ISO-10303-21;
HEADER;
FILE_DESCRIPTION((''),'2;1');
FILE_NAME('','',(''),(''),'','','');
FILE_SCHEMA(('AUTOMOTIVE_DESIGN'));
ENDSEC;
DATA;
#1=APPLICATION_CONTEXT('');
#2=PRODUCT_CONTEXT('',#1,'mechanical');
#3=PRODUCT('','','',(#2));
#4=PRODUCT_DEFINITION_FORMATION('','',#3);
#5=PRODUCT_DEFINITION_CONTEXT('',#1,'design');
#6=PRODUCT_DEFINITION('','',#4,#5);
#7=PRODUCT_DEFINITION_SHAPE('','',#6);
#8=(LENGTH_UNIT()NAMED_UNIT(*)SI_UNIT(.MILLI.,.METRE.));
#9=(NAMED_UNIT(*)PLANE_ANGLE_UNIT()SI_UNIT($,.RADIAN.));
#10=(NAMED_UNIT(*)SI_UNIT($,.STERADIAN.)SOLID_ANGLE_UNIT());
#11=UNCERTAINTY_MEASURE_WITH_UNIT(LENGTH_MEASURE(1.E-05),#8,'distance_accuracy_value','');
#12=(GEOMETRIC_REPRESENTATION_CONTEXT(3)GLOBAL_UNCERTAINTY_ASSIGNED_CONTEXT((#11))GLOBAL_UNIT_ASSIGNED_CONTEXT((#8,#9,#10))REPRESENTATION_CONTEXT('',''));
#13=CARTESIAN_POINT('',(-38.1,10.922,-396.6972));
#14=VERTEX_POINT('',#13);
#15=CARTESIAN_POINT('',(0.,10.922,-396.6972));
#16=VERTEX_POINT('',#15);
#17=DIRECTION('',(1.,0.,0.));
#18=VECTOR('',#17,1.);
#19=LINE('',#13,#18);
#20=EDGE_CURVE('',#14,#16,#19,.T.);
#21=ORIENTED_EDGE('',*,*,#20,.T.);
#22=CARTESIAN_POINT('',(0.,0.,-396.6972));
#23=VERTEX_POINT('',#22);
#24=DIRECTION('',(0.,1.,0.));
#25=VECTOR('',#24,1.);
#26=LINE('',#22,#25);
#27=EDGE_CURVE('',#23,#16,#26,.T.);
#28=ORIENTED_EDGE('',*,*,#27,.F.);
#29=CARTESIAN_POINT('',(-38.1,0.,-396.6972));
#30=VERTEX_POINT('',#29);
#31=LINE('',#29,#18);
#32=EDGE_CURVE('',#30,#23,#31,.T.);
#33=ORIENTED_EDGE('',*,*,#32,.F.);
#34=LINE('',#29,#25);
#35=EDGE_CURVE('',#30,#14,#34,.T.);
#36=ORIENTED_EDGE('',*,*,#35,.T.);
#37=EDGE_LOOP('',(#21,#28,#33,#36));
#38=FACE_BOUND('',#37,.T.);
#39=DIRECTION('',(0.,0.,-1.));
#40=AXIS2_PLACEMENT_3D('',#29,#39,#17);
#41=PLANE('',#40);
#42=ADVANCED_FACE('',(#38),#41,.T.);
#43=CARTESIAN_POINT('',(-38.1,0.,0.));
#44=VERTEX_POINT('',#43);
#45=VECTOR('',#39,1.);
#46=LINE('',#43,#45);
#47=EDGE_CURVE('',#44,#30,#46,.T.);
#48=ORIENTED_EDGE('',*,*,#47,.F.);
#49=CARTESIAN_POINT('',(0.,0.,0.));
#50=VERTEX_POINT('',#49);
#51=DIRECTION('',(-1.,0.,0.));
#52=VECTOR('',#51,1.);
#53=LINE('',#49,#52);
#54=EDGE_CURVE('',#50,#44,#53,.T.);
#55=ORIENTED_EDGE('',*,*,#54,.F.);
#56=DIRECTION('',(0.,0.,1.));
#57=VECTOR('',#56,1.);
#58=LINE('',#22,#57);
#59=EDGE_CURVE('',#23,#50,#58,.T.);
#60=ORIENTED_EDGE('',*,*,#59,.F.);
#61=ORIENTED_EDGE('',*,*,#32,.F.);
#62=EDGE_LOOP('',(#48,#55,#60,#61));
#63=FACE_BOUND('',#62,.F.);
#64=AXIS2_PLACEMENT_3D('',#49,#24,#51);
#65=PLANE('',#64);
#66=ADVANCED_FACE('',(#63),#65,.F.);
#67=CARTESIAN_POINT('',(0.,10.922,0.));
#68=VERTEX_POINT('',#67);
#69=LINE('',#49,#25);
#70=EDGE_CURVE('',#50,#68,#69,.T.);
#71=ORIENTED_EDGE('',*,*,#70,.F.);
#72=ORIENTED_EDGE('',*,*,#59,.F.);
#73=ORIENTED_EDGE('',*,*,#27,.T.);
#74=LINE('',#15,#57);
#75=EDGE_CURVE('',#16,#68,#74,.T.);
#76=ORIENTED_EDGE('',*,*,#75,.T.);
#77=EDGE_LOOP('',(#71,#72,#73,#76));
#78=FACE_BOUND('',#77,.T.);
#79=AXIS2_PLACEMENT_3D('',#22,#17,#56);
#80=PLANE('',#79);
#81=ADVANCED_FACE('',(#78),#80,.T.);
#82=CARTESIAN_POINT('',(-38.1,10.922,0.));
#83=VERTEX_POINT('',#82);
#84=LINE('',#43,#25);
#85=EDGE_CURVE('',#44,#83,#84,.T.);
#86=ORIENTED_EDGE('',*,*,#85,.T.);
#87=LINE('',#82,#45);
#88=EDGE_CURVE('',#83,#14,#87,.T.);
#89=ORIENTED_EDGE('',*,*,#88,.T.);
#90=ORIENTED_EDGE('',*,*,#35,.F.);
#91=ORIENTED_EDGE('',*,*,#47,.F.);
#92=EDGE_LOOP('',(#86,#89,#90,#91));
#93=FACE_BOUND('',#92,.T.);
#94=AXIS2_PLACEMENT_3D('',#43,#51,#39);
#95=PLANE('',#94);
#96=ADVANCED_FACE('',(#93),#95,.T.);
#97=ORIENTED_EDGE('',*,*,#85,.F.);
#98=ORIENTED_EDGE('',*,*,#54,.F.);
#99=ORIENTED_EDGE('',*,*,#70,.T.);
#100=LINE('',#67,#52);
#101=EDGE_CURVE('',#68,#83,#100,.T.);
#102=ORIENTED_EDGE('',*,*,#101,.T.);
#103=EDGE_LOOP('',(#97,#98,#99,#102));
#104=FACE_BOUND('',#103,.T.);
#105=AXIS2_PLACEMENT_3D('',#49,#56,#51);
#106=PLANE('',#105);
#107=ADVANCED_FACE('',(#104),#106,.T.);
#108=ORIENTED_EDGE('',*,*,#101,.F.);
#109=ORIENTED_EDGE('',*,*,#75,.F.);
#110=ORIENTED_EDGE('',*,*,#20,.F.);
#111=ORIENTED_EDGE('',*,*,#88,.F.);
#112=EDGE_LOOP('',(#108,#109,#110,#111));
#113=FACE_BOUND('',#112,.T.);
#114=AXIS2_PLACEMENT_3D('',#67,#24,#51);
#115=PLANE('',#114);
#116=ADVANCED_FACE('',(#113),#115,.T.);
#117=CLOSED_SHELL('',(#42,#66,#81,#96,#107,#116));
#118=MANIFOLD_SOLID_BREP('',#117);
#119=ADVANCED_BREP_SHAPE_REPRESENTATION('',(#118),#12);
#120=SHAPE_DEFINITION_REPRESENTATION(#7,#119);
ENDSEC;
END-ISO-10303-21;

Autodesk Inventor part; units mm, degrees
ref_plane "YZ Plane" through (0, 0, 0) normal (1, 0, 0) x (0, 1, 0)
ref_plane "XZ Plane" through (0, 0, 0) normal (0, 1, 0) x (-1, 0, 0)
ref_plane "XY Plane" through (0, 0, 0) normal (0, 0, 1) x (1, 0, 0)
sketch "Sketch1" plane through (0, 0, 0) normal (0, 1, 0) x (-1, 0, 0)
  line L0 (0, 0) -> (38.1, 0)
  line L1 (38.1, 0) -> (38.1, -396.6972)
  line L2 (38.1, -396.6972) -> (0, -396.6972)
  line L3 (0, -396.6972) -> (0, 0)
  dimension "d0" = 38.1
  dimension "d1" = 396.6972
extrude "Extrusion1" add sketch "Sketch1" along normal blind 10.922
properties part number "topnbottom box"
